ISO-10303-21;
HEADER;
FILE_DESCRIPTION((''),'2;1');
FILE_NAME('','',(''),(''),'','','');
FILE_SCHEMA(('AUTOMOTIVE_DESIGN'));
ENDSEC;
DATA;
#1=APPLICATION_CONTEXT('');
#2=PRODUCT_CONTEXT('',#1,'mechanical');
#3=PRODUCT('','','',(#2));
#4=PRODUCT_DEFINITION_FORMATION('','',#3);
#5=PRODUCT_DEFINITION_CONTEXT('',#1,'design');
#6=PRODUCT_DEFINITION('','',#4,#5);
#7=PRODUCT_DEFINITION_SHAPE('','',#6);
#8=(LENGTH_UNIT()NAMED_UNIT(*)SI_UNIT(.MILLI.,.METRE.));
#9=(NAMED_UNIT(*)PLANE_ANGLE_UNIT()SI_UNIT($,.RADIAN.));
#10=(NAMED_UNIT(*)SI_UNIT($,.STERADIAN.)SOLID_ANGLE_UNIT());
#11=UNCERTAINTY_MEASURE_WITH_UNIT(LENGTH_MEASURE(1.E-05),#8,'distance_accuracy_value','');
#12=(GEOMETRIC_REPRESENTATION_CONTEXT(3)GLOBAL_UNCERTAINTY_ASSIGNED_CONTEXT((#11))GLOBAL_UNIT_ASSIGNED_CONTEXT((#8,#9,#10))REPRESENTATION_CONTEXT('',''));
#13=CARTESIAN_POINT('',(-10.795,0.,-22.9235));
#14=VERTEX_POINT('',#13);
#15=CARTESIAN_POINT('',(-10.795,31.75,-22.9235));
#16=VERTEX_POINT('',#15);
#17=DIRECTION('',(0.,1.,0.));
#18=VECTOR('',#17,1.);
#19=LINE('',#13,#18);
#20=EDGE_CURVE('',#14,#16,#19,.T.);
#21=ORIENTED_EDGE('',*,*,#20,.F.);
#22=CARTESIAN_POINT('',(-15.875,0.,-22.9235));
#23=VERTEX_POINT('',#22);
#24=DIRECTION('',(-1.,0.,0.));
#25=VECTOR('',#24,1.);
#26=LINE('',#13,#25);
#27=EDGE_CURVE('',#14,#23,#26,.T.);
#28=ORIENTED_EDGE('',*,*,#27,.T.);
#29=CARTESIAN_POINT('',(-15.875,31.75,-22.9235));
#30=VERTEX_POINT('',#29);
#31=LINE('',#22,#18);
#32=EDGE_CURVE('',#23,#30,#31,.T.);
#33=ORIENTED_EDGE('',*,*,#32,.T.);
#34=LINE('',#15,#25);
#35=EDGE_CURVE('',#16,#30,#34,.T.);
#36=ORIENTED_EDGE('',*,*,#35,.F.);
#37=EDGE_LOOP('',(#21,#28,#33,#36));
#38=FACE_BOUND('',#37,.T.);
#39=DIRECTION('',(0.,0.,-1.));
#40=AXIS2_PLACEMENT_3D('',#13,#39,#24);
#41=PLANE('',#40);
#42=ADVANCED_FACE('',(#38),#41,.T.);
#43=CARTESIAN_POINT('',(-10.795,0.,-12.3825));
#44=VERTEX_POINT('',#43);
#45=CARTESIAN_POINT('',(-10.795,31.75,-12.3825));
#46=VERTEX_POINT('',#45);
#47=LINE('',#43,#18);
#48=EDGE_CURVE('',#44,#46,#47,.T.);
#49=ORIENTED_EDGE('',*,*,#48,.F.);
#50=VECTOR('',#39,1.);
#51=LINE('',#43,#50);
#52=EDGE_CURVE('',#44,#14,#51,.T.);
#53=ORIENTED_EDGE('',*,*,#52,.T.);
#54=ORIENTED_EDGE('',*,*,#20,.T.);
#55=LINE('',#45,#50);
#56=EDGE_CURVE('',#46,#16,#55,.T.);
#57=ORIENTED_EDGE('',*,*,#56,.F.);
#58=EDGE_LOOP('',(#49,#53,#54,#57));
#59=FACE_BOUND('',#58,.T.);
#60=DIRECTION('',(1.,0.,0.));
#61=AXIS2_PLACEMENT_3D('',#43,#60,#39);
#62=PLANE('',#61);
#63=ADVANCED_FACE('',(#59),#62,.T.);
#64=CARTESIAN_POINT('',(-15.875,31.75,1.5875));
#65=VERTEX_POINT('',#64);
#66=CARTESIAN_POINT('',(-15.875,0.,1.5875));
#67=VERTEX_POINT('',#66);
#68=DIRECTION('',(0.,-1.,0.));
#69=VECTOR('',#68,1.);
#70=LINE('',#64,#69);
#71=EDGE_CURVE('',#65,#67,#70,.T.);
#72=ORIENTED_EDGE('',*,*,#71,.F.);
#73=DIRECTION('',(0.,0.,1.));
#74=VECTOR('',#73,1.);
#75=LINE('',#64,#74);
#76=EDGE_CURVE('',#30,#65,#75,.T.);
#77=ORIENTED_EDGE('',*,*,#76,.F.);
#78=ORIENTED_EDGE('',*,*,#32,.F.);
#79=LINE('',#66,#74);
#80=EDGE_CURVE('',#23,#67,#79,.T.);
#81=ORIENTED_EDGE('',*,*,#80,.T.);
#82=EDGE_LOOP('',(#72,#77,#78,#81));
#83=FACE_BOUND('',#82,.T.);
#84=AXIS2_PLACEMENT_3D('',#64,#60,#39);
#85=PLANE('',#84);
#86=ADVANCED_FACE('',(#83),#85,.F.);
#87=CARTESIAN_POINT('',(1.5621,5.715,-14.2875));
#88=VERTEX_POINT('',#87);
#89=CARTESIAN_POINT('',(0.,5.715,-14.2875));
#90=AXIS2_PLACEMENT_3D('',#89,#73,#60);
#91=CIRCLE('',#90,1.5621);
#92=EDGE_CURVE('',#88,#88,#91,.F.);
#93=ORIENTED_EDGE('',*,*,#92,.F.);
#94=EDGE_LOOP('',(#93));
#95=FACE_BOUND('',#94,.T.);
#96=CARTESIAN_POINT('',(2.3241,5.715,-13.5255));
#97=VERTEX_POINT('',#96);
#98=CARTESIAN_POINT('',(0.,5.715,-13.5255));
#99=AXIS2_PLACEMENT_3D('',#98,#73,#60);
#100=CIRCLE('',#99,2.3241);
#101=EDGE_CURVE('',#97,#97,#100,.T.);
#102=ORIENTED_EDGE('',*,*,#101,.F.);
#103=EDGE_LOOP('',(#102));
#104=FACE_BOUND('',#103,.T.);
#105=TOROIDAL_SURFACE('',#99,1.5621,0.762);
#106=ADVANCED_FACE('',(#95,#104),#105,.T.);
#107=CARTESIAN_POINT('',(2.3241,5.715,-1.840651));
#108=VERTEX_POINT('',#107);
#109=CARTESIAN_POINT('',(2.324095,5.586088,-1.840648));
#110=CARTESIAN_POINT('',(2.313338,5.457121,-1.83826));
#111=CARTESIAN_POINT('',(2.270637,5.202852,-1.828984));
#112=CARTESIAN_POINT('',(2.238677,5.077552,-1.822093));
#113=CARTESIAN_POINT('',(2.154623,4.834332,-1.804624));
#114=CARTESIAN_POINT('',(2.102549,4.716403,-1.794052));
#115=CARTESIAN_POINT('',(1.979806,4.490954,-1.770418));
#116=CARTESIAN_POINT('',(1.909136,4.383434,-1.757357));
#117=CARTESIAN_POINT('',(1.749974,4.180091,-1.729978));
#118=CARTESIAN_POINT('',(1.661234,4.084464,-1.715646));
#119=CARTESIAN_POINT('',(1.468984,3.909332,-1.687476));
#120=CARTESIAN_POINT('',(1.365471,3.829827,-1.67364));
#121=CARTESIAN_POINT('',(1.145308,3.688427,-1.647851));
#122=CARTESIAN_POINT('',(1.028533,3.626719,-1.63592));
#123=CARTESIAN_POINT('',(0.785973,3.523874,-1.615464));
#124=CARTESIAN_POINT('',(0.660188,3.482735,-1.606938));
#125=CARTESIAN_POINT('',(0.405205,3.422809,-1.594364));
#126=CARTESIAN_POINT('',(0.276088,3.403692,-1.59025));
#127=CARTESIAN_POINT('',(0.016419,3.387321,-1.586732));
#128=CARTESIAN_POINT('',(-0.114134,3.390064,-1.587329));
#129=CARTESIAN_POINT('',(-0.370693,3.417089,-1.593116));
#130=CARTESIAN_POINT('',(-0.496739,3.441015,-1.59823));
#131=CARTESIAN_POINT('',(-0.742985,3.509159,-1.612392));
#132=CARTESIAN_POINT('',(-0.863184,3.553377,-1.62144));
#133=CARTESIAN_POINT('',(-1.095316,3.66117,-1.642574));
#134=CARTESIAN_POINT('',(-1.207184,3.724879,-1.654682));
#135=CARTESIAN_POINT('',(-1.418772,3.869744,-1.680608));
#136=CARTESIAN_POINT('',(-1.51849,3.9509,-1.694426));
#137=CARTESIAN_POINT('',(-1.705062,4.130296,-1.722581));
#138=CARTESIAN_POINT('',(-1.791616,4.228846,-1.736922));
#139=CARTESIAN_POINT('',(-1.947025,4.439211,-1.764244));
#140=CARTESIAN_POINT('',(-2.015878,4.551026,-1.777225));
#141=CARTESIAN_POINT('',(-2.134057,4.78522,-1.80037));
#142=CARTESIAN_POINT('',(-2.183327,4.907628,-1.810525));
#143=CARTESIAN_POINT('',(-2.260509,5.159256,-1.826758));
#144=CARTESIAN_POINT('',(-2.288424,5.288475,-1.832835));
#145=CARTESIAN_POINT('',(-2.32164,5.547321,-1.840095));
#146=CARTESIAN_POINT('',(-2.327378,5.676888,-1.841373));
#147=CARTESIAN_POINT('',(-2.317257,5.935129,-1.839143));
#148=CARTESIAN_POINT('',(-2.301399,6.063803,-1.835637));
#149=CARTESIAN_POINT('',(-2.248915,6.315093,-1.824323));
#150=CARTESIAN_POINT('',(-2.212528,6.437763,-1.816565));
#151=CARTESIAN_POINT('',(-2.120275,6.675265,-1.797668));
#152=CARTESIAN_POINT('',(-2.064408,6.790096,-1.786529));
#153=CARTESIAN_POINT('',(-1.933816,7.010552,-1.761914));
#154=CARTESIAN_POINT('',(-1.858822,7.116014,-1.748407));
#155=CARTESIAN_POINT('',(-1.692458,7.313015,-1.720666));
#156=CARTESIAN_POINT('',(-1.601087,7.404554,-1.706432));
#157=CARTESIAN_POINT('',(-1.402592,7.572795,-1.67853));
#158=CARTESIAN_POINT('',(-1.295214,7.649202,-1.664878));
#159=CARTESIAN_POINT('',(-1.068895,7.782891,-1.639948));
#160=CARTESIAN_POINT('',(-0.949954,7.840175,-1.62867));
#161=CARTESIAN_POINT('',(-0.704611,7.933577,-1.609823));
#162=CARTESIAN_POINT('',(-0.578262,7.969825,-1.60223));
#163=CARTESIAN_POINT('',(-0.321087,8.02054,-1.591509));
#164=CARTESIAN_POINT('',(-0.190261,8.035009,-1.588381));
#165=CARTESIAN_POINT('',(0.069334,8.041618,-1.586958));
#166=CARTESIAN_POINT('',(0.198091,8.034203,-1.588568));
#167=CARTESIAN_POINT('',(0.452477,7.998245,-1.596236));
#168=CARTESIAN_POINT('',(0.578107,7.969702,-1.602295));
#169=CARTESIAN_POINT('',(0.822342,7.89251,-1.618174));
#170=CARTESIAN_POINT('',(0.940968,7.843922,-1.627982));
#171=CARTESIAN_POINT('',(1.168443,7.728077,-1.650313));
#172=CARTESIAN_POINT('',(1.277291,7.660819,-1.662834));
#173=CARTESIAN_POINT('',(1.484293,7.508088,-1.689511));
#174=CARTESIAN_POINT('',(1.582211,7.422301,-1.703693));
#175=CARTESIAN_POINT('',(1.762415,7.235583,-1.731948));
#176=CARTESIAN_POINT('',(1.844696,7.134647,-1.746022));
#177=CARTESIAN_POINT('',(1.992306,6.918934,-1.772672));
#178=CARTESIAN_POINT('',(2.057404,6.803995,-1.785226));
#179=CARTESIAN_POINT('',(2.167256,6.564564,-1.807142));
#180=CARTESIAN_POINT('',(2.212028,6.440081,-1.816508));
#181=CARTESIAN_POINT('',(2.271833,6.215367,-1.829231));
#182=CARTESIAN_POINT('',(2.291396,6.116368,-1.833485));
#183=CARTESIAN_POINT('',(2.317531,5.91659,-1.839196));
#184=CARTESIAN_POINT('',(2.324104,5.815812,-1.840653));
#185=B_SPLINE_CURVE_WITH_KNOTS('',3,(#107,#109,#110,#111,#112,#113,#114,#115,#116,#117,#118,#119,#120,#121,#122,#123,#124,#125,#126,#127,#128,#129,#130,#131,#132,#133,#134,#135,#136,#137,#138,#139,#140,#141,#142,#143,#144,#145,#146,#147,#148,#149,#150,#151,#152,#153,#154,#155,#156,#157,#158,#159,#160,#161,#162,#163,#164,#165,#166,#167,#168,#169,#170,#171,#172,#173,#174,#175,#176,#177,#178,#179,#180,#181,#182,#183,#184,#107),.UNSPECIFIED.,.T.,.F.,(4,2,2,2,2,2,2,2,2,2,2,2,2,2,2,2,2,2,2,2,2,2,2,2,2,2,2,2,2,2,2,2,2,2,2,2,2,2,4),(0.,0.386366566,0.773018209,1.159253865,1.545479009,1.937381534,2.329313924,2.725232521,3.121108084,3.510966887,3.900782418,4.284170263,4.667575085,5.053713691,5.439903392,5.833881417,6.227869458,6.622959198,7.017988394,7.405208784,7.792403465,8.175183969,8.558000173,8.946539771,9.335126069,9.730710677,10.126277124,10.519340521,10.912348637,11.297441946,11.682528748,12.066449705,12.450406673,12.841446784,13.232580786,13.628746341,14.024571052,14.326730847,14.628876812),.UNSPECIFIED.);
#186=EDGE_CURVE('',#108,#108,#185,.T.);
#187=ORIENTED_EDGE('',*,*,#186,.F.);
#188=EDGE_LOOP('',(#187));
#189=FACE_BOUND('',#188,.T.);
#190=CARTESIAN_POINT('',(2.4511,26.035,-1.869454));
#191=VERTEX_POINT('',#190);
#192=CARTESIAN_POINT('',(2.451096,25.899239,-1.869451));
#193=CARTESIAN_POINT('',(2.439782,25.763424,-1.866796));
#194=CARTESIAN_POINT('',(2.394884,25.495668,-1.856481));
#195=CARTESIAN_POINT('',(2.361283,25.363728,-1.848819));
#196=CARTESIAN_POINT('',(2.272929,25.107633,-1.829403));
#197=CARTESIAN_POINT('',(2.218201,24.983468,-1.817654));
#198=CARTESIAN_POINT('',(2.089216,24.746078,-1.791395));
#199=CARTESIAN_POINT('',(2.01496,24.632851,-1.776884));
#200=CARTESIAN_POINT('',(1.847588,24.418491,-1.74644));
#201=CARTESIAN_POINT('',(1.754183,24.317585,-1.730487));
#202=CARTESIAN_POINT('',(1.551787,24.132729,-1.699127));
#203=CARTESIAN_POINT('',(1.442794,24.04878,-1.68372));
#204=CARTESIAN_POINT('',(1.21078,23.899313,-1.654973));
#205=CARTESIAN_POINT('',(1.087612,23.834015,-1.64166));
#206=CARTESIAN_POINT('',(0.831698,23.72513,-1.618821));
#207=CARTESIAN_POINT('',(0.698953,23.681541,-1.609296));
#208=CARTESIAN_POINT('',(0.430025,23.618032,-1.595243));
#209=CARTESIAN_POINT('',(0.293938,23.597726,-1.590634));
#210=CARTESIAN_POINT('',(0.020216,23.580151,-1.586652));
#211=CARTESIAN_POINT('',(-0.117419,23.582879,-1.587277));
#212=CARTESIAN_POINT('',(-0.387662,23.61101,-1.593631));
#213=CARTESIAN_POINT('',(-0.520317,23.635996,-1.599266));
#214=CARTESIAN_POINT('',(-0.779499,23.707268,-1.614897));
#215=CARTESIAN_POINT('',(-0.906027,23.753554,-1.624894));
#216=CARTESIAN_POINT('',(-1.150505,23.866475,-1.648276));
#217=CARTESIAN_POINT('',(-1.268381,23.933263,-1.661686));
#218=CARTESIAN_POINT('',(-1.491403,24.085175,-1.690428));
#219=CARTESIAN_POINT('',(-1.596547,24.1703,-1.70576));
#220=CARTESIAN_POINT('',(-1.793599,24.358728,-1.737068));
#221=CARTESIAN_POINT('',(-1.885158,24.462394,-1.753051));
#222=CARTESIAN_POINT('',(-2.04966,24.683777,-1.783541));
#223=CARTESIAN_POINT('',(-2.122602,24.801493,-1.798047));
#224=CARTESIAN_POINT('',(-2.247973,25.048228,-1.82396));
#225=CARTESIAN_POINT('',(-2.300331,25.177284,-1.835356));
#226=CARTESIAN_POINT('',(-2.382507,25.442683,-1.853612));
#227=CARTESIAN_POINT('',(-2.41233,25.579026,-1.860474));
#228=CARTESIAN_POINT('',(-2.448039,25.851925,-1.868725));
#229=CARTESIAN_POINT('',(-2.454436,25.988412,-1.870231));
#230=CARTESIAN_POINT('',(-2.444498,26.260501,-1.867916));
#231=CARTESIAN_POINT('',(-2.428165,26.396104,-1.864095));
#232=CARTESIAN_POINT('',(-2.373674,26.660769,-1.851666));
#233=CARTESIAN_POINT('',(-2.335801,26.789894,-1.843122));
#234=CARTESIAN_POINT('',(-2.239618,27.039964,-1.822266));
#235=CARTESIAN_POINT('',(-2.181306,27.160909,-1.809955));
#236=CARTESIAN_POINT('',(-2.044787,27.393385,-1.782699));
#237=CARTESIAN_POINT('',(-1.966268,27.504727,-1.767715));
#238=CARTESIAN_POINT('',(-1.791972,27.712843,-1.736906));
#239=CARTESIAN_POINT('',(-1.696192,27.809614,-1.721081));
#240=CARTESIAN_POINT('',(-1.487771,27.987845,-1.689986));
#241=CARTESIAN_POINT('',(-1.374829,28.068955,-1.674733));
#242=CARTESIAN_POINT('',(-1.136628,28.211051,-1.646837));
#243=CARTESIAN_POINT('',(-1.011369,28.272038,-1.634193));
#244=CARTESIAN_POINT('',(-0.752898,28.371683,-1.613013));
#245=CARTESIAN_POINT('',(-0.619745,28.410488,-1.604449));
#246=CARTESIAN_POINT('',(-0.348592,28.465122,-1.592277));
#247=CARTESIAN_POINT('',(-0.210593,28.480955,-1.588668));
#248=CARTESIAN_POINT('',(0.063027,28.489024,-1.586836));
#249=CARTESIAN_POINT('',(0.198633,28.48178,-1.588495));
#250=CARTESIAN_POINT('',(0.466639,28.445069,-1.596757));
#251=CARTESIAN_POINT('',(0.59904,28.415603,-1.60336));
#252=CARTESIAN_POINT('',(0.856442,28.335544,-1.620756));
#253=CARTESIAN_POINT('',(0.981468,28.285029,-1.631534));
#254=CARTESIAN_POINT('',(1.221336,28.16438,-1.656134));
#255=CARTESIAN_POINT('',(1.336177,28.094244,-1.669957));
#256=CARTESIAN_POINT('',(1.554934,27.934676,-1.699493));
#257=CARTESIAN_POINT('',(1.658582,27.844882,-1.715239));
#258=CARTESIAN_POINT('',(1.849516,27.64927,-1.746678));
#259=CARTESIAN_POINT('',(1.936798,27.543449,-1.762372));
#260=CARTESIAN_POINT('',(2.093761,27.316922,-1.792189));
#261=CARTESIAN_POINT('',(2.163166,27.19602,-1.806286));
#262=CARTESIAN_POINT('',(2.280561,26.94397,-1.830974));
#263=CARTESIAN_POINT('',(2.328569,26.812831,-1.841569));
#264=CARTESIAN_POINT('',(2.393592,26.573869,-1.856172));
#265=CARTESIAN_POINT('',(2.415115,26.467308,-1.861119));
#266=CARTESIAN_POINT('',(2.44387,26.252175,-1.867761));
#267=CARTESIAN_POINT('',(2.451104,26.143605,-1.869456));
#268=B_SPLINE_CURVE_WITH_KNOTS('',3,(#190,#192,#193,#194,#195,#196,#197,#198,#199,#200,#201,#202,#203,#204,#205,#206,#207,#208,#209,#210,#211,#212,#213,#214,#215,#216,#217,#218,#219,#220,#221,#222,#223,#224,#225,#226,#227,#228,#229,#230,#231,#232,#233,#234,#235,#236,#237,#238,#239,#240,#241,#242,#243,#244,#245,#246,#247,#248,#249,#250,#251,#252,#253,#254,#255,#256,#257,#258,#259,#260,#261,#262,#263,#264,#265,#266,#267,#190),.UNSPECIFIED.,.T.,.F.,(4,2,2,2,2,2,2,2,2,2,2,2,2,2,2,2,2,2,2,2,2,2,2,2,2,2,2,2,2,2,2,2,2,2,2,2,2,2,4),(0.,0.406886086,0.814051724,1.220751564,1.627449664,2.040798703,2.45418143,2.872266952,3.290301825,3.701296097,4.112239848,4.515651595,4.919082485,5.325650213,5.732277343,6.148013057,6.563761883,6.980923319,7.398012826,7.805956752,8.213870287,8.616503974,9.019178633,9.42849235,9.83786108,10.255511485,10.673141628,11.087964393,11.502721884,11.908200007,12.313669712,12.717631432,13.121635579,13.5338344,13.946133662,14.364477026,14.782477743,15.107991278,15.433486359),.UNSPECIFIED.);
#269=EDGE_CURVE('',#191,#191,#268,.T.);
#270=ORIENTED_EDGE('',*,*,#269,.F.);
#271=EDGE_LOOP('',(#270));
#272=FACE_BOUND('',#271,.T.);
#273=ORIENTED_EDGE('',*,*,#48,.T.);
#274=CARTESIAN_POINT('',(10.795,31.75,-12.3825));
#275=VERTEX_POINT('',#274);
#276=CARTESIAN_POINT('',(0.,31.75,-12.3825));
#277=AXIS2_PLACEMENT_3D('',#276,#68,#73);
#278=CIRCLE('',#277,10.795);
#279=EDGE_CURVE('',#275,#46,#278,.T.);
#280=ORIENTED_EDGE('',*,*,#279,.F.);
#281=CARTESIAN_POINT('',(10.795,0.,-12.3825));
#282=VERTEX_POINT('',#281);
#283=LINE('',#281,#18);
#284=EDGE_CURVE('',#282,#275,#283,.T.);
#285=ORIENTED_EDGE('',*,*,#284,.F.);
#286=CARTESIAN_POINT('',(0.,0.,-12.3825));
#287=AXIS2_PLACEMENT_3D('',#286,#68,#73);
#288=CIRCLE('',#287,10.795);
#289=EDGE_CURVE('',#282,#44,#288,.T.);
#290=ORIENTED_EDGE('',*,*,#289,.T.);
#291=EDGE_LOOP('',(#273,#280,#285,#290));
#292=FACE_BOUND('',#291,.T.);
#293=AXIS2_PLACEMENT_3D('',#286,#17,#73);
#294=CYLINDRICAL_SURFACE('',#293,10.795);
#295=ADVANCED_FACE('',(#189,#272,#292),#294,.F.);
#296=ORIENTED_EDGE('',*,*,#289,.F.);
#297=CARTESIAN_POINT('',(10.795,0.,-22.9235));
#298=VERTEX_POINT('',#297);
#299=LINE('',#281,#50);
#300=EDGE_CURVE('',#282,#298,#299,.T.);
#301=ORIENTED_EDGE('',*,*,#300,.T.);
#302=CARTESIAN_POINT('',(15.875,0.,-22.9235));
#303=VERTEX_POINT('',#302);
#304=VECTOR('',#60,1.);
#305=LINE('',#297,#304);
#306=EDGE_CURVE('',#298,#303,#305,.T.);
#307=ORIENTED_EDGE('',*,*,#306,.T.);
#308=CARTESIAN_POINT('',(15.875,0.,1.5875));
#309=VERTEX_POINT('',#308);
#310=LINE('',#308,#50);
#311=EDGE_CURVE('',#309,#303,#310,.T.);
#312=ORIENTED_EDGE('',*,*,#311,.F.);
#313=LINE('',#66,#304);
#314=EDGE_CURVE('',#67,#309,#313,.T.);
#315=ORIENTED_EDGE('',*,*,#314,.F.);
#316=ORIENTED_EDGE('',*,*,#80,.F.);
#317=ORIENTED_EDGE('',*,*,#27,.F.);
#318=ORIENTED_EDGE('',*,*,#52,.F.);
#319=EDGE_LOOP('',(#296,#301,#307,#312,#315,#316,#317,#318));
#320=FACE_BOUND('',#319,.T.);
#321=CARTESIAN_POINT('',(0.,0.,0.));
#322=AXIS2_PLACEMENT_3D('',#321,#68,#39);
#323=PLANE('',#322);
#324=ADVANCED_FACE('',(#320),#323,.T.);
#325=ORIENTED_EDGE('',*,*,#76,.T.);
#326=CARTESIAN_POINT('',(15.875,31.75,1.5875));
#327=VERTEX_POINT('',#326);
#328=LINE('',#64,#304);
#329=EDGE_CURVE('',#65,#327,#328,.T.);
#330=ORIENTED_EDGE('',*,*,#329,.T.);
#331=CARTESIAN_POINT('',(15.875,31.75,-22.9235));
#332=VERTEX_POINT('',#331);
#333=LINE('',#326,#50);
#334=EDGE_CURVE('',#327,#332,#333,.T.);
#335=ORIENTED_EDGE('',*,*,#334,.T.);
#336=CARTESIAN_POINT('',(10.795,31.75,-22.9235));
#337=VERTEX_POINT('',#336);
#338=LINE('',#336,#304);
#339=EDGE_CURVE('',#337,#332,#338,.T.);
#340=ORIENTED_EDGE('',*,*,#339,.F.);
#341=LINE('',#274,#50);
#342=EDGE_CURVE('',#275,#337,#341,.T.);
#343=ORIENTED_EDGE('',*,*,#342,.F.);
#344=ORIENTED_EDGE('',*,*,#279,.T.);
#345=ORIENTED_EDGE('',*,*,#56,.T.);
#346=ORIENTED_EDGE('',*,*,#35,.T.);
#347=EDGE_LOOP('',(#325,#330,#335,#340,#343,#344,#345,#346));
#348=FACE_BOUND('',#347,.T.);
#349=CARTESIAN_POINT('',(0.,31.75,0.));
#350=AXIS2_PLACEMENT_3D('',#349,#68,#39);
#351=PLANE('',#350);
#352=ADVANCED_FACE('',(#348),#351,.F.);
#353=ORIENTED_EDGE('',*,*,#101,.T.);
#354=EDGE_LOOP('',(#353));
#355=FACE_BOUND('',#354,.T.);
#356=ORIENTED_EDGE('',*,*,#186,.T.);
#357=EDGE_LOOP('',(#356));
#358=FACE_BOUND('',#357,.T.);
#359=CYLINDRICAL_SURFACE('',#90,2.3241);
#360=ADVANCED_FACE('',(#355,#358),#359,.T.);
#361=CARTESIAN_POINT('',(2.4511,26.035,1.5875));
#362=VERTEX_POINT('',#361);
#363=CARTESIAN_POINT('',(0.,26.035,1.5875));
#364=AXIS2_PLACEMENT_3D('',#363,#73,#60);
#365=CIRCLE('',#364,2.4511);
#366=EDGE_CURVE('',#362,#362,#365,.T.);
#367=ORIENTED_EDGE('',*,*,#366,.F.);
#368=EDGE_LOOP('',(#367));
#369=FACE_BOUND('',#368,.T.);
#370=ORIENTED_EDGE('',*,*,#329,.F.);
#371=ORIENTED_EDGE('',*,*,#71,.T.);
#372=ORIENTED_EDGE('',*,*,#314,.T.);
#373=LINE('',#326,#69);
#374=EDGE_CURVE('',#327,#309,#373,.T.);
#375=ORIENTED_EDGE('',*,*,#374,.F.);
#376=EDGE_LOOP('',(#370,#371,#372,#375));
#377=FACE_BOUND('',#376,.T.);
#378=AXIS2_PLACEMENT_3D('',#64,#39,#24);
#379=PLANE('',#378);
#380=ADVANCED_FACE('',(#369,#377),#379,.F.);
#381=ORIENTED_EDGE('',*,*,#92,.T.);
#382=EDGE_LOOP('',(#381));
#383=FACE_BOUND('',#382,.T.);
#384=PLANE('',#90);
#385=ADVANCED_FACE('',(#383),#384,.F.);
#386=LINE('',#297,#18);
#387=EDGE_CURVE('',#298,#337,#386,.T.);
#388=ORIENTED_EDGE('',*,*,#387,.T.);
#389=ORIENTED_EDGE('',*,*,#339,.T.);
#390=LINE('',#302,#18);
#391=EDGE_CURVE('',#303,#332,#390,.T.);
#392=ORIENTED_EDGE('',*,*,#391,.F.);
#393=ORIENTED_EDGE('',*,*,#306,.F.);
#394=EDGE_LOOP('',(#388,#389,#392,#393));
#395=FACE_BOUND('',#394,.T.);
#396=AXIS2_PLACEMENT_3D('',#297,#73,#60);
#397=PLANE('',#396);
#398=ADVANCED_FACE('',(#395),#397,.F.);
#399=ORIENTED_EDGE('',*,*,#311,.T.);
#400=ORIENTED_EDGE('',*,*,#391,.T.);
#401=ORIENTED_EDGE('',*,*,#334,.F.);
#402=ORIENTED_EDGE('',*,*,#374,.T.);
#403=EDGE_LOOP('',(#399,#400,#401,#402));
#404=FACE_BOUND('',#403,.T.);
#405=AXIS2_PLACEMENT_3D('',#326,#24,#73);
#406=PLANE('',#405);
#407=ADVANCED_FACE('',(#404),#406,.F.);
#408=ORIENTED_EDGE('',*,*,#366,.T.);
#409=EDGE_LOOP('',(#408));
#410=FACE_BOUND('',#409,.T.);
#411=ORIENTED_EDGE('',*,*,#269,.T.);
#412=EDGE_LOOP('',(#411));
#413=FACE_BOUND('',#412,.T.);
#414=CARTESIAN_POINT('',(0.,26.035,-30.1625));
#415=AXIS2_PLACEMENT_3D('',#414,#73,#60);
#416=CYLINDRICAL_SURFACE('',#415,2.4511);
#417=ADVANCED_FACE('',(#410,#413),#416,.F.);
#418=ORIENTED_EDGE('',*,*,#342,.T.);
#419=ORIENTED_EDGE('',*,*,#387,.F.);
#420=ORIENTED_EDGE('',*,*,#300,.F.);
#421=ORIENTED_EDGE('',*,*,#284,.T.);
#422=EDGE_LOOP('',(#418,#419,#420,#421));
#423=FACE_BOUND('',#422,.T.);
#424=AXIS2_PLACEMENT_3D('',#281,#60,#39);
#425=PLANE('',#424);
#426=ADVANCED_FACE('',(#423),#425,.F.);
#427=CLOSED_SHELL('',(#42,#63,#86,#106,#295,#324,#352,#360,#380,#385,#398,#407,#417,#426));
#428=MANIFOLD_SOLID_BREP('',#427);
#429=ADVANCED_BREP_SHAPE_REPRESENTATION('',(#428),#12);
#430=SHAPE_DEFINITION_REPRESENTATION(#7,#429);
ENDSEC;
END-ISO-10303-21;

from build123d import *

# Parameters (mm, degrees)
SKETCH1_W           = 31.75
SKETCH1_H           = 3.175
BOSS_EXTRUDE1_DEPTH = 31.75
BOSS_EXTRUDE2_DEPTH = 31.75
SKETCH3_W           = 5.08
SKETCH3_H           = 10.541
BOSS_EXTRUDE3_DEPTH = 31.75
SKETCH4_R           = 2.4511
SKETCH4_R_2         = 2.3241
CUT_EXTRUDE1_DEPTH  = 31.75
SKETCH6_R           = 2.3241
BOSS_EXTRUDE4_DEPTH = 15.875
FILLET1_R           = 0.762


with BuildPart() as part:
    # Sketch1 → Boss-Extrude1 (new body)
    with BuildSketch(Plane(origin=(0, 0, 0), x_dir=(1, 0, 0), z_dir=(0, 1, 0))):
        Rectangle(SKETCH1_W, SKETCH1_H)
    extrude(amount=BOSS_EXTRUDE1_DEPTH)

    # Sketch2 → Boss-Extrude2 (add)
    with BuildSketch(Plane(origin=(0, 31.75, 0), x_dir=(1, 0, 0), z_dir=(0, 1, 0))):
        with BuildLine():
            Line((-15.875, 1.5875), (-15.875, 12.3825))
            Line((-15.875, 12.3825), (-10.795, 12.3825))
            ThreePointArc((-10.795, 12.3825), (-7.633217703, 4.749282297), (0, 1.5875))
            Line((0, 1.5875), (-15.875, 1.5875))
        make_face()
    boss_extrude2 = extrude(amount=-BOSS_EXTRUDE2_DEPTH)

    # Mirror1: Boss-Extrude2 across plane
    add(boss_extrude2.mirror(Plane(origin=(0, 0, 0), x_dir=(0, 0, 1), z_dir=(1, 0, 0))))

    # Sketch3 → Boss-Extrude3 (add)
    with BuildSketch(Plane(origin=(0, 31.75, 0), x_dir=(1, 0, 0), z_dir=(0, 1, 0))):
        with Locations((-13.335, 17.653)):
            Rectangle(SKETCH3_W, SKETCH3_H)
    boss_extrude3 = extrude(amount=-BOSS_EXTRUDE3_DEPTH)

    # Mirror2: Boss-Extrude3 across plane
    add(boss_extrude3.mirror(Plane(origin=(0, 0, 0), x_dir=(0, 0, 1), z_dir=(1, 0, 0))))

    # Sketch4 → Cut-Extrude1 (cut)
    with BuildSketch(Plane.XY.offset(1.5875)):
        with Locations((0, 26.035)):
            Circle(SKETCH4_R)
        with Locations((0, 5.715)):
            Circle(SKETCH4_R_2)
    extrude(amount=-CUT_EXTRUDE1_DEPTH, mode=Mode.SUBTRACT)

    # Sketch6 → Boss-Extrude4 (add)
    with BuildSketch(Plane.XY.offset(1.5875)):
        with Locations((0, 5.715)):
            Circle(SKETCH6_R)
    extrude(amount=-BOSS_EXTRUDE4_DEPTH)

    # Fillet1
    fillet1_edges = [part.edges().sort_by_distance(p)[0] for p in [
        (-2.3241, 5.715, -14.2875),
    ]]
    fillet(fillet1_edges, radius=FILLET1_R)


solid = part.part
